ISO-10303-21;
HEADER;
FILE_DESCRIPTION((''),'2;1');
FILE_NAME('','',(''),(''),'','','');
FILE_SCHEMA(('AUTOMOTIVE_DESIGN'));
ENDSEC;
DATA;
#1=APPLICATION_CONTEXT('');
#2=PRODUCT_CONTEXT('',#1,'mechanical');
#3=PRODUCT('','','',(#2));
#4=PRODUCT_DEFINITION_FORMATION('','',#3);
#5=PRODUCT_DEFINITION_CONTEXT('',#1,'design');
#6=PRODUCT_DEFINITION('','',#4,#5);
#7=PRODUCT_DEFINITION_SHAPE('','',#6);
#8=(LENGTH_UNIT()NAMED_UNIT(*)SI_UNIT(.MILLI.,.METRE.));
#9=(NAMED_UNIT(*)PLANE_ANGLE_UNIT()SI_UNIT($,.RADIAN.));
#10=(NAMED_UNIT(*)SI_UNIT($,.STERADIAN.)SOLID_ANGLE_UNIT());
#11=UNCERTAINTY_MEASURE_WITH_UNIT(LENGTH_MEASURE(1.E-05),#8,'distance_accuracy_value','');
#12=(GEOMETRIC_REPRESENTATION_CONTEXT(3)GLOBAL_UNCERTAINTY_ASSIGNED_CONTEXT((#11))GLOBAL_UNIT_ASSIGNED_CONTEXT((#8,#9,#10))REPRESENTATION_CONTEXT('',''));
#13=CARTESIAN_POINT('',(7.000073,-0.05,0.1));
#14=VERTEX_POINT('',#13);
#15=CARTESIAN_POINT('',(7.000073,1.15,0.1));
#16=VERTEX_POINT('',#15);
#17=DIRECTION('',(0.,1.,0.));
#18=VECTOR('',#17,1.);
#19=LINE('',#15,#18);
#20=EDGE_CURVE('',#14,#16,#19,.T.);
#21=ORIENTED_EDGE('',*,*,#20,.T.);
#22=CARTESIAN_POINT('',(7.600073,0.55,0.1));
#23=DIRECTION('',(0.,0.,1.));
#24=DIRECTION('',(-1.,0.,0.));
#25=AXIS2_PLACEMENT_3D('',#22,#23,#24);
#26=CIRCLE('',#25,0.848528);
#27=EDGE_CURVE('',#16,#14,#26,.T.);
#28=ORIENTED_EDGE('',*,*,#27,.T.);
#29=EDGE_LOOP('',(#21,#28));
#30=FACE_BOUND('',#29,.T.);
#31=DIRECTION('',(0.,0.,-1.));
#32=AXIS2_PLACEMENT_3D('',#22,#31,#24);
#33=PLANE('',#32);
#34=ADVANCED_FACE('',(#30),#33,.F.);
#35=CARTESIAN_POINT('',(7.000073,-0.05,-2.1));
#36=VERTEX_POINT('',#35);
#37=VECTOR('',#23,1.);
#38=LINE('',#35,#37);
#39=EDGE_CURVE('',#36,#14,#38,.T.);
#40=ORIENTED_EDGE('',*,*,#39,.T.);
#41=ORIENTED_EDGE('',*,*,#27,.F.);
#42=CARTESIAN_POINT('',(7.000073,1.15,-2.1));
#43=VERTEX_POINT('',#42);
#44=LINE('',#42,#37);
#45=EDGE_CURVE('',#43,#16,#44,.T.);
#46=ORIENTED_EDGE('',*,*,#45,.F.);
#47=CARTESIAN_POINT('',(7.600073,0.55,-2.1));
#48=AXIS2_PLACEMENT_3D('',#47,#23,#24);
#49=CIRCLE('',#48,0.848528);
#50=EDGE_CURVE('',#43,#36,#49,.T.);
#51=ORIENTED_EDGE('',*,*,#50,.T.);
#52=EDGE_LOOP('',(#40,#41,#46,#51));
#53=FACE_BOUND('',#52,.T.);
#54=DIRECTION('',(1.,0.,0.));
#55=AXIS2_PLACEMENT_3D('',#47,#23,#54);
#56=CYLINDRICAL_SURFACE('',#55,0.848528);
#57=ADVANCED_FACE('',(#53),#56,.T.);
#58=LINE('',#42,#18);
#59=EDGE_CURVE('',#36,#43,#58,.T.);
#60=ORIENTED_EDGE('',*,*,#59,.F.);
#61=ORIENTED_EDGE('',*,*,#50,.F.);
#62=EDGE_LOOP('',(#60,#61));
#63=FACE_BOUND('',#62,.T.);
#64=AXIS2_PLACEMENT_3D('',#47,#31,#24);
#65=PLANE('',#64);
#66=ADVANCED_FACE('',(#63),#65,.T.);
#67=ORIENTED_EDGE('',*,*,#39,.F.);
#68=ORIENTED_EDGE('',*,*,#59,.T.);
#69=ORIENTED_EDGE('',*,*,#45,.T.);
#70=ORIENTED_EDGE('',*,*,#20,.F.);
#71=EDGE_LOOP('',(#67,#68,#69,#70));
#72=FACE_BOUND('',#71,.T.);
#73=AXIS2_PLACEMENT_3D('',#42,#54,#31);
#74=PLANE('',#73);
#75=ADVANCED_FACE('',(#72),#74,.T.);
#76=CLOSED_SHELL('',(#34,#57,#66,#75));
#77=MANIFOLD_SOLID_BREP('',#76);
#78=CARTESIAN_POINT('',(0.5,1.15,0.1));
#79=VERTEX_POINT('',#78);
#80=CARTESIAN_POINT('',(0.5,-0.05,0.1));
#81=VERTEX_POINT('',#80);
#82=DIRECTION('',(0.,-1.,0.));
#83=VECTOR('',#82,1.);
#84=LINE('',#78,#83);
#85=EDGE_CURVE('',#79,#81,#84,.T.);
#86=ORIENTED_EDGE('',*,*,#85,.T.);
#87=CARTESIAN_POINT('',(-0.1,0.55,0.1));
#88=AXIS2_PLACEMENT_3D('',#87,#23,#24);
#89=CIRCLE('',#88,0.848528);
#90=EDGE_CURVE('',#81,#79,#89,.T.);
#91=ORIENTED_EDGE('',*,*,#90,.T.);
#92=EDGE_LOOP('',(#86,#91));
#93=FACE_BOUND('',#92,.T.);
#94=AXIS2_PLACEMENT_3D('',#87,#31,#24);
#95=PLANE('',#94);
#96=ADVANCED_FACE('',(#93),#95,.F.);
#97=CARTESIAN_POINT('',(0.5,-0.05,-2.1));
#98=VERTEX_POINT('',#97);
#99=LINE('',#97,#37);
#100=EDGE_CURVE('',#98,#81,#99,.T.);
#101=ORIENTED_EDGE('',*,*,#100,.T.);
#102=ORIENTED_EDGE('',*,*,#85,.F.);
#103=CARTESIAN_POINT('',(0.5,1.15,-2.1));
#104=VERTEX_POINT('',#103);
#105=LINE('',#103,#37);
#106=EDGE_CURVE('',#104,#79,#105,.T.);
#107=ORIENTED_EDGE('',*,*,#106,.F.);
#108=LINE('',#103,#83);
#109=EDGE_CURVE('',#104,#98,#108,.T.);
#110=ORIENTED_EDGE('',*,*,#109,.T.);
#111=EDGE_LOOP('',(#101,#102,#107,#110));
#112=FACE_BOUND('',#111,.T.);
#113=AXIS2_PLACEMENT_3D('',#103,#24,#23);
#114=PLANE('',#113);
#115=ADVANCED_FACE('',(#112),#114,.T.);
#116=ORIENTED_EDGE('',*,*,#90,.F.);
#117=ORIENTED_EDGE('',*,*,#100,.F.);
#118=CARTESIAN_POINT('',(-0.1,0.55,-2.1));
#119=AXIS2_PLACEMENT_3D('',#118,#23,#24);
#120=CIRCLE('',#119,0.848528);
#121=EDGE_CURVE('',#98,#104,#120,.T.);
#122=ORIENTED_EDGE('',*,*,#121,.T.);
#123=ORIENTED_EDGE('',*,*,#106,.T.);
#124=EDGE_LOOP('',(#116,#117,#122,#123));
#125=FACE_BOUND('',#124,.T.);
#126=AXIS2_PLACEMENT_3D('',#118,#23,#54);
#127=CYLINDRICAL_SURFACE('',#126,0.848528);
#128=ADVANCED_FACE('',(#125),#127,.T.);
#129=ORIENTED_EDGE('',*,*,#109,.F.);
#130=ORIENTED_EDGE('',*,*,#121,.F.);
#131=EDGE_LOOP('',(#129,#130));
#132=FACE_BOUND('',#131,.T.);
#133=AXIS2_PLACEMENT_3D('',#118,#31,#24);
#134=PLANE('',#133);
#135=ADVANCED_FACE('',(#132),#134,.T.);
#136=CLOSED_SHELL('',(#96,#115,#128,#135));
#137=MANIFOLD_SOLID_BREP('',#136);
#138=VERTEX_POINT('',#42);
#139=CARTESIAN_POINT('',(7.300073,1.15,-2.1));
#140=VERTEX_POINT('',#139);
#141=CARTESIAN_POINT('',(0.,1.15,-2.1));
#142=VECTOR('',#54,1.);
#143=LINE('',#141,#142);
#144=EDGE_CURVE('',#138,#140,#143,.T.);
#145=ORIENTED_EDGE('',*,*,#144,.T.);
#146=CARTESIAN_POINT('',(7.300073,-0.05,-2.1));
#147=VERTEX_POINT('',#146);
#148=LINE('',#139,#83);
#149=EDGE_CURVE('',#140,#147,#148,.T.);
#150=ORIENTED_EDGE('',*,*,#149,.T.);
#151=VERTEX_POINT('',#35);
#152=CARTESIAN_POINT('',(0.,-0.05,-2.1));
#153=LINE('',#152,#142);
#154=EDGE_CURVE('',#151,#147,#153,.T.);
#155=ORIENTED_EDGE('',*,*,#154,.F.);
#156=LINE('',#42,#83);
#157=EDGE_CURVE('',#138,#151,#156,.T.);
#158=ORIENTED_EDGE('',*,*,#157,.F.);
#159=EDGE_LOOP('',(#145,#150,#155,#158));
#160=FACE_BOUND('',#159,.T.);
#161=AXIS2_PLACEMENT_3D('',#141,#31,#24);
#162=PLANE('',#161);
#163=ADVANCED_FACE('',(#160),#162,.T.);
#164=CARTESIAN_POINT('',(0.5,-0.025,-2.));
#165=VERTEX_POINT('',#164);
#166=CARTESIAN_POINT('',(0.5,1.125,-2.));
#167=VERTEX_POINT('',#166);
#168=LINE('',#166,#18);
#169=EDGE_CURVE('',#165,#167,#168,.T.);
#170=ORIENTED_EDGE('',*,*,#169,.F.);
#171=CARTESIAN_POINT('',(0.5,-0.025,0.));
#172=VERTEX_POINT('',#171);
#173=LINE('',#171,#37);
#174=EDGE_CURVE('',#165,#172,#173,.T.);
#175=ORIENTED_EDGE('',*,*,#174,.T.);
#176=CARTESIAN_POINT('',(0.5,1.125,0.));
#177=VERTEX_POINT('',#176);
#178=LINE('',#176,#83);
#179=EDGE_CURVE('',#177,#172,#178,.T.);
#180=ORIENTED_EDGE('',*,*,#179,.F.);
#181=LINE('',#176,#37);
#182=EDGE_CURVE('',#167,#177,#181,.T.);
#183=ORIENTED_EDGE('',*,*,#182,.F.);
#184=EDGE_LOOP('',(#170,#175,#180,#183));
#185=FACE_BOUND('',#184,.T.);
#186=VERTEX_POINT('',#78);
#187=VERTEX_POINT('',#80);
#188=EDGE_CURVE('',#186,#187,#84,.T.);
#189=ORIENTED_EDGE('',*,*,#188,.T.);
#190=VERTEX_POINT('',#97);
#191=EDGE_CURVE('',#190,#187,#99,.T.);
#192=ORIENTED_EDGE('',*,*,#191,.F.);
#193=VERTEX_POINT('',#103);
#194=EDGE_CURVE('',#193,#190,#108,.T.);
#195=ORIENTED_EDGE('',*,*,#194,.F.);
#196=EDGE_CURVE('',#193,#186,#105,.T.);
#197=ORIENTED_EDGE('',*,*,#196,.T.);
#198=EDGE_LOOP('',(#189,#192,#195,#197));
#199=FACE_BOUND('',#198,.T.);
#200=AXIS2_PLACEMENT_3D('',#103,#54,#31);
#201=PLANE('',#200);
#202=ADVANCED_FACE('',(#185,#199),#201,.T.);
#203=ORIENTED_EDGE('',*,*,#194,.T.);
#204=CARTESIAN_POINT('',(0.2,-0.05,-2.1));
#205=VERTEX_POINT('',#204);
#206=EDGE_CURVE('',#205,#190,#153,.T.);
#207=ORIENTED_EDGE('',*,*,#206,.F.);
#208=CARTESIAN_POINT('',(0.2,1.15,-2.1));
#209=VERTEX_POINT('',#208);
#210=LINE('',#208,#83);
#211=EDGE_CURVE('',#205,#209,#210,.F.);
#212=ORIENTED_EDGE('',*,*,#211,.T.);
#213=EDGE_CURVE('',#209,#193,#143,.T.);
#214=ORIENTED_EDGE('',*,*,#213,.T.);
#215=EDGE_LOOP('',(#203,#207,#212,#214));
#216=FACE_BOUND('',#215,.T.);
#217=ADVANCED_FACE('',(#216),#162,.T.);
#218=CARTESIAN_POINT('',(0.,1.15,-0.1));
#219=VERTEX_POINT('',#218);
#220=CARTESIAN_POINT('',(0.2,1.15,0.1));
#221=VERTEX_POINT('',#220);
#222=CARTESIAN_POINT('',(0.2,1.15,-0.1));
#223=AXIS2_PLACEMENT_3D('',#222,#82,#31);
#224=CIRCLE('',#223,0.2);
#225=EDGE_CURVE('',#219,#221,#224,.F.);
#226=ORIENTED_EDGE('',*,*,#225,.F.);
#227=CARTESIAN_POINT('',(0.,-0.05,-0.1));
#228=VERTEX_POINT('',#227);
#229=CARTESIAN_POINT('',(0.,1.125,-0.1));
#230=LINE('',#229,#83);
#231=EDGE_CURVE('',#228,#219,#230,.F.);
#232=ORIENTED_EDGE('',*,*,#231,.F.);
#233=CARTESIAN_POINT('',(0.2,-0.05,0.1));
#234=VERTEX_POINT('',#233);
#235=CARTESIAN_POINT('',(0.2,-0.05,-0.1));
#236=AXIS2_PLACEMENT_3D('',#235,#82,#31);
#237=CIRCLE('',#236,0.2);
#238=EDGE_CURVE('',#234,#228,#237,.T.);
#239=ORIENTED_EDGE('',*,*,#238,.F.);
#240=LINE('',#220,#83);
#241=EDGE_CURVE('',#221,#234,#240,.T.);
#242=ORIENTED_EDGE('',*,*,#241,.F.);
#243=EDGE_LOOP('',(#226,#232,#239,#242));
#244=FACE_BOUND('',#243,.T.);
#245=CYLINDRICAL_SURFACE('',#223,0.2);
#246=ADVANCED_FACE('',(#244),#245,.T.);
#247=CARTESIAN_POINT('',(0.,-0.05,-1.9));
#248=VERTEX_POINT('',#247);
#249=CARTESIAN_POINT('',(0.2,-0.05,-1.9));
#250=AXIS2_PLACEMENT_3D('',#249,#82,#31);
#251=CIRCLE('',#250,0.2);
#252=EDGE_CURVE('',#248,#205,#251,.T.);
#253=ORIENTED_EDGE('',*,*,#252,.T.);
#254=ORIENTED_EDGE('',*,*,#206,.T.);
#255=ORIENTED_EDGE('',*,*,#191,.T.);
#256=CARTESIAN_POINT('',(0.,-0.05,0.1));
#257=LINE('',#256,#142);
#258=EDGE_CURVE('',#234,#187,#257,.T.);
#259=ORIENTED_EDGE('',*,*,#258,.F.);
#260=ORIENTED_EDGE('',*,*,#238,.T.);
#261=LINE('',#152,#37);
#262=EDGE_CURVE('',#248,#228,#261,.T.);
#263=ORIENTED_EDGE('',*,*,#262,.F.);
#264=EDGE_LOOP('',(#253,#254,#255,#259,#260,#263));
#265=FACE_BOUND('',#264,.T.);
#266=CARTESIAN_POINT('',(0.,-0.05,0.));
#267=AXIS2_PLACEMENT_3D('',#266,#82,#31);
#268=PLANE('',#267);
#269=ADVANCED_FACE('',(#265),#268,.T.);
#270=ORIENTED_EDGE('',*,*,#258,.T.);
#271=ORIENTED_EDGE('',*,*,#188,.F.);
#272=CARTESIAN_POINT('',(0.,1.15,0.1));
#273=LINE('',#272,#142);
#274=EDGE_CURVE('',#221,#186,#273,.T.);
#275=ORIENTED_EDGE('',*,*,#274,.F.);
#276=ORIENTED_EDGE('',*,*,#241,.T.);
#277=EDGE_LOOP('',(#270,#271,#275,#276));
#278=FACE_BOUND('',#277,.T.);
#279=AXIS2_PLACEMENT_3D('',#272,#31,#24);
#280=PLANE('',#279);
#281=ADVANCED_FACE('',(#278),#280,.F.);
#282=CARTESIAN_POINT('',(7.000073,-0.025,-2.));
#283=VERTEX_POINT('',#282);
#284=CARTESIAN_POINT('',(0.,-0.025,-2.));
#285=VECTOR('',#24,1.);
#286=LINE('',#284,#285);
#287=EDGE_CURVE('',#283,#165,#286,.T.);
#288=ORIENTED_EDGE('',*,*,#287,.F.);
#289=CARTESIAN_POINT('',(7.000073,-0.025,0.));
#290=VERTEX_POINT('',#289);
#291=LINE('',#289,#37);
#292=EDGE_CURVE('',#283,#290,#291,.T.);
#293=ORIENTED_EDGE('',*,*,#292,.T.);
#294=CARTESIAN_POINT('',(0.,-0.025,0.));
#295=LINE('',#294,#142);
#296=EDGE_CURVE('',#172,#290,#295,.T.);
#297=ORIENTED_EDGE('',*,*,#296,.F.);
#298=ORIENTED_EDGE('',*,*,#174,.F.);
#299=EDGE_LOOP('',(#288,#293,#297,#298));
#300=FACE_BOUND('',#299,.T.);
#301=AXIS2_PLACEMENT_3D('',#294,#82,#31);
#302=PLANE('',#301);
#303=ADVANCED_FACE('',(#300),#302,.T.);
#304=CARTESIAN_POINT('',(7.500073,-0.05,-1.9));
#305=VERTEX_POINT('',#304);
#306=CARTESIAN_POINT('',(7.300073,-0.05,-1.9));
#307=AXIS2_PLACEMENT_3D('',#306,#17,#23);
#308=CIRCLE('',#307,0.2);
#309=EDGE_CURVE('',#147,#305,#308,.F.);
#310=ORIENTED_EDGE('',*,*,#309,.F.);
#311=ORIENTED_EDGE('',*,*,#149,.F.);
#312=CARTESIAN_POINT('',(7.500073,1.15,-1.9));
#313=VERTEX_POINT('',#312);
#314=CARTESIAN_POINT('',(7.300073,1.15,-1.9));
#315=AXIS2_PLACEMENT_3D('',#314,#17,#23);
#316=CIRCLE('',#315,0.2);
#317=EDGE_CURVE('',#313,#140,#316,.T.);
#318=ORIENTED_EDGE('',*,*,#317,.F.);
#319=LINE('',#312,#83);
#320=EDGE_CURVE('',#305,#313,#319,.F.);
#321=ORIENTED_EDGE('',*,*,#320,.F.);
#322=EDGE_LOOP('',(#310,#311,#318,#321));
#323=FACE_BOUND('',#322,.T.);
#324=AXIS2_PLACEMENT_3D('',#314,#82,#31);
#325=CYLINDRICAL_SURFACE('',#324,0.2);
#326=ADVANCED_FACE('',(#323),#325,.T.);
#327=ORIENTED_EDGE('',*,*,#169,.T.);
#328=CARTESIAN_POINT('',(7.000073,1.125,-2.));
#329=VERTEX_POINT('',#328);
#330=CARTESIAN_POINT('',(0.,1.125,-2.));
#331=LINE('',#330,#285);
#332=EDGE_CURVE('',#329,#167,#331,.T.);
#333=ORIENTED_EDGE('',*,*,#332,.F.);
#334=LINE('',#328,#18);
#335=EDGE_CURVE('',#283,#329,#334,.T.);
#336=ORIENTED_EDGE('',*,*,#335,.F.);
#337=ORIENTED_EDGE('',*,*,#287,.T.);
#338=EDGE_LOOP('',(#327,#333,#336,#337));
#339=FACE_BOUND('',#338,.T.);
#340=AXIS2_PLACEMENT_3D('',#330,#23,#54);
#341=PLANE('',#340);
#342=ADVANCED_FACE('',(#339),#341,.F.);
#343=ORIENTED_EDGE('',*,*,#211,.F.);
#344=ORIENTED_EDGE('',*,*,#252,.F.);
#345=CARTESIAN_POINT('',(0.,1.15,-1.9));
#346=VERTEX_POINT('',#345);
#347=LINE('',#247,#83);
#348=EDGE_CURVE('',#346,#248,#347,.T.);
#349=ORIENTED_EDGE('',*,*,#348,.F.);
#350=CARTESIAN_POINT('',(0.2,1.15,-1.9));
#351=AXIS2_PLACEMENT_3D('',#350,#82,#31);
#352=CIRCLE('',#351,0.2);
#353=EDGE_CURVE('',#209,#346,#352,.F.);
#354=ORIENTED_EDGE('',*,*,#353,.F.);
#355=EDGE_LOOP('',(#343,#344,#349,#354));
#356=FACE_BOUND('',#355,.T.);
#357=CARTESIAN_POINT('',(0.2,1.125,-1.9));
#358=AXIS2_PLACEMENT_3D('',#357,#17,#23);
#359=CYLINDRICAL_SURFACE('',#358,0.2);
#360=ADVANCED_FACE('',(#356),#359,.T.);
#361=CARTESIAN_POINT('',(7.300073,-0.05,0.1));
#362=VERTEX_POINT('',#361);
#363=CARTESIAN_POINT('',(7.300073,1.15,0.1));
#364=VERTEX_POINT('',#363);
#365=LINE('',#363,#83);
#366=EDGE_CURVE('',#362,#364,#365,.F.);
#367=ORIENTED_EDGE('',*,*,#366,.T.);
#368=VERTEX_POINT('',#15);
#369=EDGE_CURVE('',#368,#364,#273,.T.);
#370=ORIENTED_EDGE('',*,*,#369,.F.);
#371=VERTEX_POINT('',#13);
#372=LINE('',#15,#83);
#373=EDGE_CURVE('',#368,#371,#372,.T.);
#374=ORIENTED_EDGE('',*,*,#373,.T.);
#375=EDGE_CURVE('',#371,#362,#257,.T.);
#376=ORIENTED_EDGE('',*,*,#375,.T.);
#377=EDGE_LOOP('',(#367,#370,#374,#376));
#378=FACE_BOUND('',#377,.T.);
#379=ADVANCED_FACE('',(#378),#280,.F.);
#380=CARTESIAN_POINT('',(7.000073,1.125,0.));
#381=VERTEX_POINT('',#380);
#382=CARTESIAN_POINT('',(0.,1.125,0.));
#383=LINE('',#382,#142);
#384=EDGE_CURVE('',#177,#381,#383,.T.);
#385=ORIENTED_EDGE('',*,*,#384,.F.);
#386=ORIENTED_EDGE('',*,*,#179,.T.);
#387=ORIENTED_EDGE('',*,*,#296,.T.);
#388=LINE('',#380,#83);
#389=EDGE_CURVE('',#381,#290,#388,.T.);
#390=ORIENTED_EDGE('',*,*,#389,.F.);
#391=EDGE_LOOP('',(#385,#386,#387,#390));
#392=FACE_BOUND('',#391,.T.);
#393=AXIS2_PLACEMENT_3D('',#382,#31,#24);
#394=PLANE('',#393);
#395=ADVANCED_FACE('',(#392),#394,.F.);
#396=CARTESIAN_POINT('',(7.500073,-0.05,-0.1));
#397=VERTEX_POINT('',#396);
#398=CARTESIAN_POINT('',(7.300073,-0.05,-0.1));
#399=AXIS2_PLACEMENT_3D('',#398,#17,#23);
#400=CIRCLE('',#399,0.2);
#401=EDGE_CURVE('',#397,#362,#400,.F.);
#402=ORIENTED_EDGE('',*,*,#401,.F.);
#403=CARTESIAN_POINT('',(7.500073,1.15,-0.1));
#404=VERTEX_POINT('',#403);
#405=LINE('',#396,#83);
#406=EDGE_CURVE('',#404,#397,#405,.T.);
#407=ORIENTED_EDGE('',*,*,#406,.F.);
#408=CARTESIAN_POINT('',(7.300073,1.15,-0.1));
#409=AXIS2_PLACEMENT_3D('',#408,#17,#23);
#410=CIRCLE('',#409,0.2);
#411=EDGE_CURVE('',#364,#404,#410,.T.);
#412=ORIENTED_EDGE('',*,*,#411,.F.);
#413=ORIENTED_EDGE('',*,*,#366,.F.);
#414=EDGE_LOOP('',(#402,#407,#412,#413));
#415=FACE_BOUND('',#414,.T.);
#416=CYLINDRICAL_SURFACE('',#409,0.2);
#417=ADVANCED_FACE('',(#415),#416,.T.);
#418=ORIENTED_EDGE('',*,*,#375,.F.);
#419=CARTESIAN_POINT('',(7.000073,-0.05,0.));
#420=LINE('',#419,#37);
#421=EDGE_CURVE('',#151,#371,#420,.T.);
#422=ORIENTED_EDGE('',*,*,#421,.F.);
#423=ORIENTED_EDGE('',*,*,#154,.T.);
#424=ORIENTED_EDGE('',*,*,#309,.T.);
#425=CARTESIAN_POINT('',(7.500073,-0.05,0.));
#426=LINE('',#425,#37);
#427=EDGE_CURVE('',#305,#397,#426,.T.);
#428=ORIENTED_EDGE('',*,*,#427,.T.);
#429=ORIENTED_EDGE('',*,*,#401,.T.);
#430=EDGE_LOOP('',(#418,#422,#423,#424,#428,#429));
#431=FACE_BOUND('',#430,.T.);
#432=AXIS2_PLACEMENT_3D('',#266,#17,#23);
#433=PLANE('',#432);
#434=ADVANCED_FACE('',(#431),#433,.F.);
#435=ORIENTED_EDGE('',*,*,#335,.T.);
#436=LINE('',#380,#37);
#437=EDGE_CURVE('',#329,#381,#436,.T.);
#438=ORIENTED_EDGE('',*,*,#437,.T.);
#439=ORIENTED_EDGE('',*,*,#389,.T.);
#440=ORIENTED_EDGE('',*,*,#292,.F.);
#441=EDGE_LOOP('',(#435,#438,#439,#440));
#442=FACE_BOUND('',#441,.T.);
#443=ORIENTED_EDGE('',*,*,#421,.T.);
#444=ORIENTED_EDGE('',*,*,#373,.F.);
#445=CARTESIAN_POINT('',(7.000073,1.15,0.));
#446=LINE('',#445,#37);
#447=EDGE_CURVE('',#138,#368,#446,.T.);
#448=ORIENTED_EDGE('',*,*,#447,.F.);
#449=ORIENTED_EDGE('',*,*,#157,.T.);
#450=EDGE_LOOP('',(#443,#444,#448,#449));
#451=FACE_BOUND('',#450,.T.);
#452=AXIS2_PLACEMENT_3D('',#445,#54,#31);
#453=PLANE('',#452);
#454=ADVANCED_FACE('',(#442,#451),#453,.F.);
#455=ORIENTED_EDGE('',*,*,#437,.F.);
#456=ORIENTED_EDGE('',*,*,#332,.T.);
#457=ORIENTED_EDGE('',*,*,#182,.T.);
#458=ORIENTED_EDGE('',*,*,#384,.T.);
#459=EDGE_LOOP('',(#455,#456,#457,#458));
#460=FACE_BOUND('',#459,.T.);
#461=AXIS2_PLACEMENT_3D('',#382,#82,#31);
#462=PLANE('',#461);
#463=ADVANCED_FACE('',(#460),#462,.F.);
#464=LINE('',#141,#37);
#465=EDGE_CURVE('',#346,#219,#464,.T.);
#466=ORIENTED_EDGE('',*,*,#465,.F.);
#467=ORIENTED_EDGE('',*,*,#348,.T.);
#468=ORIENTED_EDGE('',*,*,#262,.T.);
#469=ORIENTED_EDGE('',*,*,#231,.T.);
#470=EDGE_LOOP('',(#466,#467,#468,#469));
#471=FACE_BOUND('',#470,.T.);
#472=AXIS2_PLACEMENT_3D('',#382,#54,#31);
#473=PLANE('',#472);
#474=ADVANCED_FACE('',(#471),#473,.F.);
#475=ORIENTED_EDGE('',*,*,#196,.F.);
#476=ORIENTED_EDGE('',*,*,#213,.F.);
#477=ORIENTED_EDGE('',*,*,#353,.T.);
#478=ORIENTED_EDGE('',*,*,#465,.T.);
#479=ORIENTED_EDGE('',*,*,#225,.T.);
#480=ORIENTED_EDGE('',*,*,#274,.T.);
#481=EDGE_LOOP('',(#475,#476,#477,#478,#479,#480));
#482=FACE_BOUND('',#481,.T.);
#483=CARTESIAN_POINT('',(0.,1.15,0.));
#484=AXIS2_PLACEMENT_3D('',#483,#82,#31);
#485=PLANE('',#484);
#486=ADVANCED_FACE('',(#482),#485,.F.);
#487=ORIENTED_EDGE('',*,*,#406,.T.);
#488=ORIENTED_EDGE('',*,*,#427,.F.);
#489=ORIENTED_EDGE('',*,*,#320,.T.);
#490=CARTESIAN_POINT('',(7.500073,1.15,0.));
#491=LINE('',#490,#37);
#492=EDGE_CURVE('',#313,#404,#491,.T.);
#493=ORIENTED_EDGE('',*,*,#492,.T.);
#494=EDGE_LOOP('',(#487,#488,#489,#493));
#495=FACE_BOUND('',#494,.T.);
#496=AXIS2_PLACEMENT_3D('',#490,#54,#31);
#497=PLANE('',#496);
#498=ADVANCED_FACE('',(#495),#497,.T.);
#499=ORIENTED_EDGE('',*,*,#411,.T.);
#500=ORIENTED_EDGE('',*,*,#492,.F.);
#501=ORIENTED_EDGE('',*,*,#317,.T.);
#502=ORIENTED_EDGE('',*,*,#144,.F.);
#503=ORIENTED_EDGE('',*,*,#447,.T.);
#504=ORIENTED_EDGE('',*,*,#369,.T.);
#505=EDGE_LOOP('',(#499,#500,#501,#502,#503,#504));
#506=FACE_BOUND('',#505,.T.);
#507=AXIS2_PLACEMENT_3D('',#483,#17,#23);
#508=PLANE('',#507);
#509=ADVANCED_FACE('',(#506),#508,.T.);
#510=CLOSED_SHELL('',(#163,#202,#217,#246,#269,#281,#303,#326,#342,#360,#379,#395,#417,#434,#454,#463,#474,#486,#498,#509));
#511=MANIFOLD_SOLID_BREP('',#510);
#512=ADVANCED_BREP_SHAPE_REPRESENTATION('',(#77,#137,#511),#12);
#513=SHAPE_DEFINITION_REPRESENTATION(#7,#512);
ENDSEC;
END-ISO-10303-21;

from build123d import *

# Parameters (mm, degrees)
BOSS_EXTRUDE1_START   = -0.025
SKETCH1_W             = 7.5
SKETCH1_H             = 2
BOSS_EXTRUDE1_DEPTH   = 1.15
BOSS_EXTRUDE2_START   = -0.05
SKETCH2_W             = 0.5
SKETCH2_H             = 2.2
BOSS_EXTRUDE2_DEPTH   = 1.2
FILLET1_R             = 0.2
BOSS_EXTRUDE3_DEPTH   = 2.2
BOSS_EXTRUDE3_2_DEPTH = 2.2


with BuildPart() as part:
    # Sketch1 → Boss-Extrude1 (new body)
    with BuildSketch(Plane(origin=(0, 0, 0), x_dir=(1, 0, 0), z_dir=(0, 1, 0)).offset(BOSS_EXTRUDE1_START)):
        with Locations((3.75, 1)):
            Rectangle(SKETCH1_W, SKETCH1_H)
    extrude(amount=BOSS_EXTRUDE1_DEPTH)

    # Sketch2 → Boss-Extrude2 (add)
    with BuildSketch(Plane(origin=(0, 0, 0), x_dir=(1, 0, 0), z_dir=(0, 1, 0)).offset(BOSS_EXTRUDE2_START)):
        with Locations((7.250073079, 1)):
            Rectangle(SKETCH2_W, SKETCH2_H)
        with Locations((0.25, 1)):
            Rectangle(SKETCH2_W, SKETCH2_H)
    extrude(amount=BOSS_EXTRUDE2_DEPTH)

    # Fillet1
    fillet1_edges = [part.edges().sort_by_distance(p)[0] for p in [
        (7.500073079, 0.55, 0.1),
        (7.500073079, 0.55, -2.1),
        (0, 0.55, -2.1),
        (0, 0.55, 0.1),
    ]]
    fillet(fillet1_edges, radius=FILLET1_R)


with BuildPart() as body_2:
    # Sketch3 → Boss-Extrude3 (new body)
    with BuildSketch(Plane.XY.offset(0.1)):
        with BuildLine():
            Line((7.000073079, 1.15), (7.000073079, -0.05))
            ThreePointArc((7.000073079, -0.05), (6.751544941, 0.55), (7.000073079, 1.15))
        make_face()
    extrude(amount=-BOSS_EXTRUDE3_DEPTH)


with BuildPart() as body_3:
    # Sketch3 → Boss-Extrude3 2 (new body)
    with BuildSketch(Plane.XY.offset(0.1)):
        with BuildLine():
            Line((0.5, 1.15), (0.5, -0.05))
            ThreePointArc((0.5, -0.05), (0.748528137, 0.55), (0.5, 1.15))
        make_face()
    extrude(amount=-BOSS_EXTRUDE3_2_DEPTH)


solid = Compound([part.part, body_2.part, body_3.part])
